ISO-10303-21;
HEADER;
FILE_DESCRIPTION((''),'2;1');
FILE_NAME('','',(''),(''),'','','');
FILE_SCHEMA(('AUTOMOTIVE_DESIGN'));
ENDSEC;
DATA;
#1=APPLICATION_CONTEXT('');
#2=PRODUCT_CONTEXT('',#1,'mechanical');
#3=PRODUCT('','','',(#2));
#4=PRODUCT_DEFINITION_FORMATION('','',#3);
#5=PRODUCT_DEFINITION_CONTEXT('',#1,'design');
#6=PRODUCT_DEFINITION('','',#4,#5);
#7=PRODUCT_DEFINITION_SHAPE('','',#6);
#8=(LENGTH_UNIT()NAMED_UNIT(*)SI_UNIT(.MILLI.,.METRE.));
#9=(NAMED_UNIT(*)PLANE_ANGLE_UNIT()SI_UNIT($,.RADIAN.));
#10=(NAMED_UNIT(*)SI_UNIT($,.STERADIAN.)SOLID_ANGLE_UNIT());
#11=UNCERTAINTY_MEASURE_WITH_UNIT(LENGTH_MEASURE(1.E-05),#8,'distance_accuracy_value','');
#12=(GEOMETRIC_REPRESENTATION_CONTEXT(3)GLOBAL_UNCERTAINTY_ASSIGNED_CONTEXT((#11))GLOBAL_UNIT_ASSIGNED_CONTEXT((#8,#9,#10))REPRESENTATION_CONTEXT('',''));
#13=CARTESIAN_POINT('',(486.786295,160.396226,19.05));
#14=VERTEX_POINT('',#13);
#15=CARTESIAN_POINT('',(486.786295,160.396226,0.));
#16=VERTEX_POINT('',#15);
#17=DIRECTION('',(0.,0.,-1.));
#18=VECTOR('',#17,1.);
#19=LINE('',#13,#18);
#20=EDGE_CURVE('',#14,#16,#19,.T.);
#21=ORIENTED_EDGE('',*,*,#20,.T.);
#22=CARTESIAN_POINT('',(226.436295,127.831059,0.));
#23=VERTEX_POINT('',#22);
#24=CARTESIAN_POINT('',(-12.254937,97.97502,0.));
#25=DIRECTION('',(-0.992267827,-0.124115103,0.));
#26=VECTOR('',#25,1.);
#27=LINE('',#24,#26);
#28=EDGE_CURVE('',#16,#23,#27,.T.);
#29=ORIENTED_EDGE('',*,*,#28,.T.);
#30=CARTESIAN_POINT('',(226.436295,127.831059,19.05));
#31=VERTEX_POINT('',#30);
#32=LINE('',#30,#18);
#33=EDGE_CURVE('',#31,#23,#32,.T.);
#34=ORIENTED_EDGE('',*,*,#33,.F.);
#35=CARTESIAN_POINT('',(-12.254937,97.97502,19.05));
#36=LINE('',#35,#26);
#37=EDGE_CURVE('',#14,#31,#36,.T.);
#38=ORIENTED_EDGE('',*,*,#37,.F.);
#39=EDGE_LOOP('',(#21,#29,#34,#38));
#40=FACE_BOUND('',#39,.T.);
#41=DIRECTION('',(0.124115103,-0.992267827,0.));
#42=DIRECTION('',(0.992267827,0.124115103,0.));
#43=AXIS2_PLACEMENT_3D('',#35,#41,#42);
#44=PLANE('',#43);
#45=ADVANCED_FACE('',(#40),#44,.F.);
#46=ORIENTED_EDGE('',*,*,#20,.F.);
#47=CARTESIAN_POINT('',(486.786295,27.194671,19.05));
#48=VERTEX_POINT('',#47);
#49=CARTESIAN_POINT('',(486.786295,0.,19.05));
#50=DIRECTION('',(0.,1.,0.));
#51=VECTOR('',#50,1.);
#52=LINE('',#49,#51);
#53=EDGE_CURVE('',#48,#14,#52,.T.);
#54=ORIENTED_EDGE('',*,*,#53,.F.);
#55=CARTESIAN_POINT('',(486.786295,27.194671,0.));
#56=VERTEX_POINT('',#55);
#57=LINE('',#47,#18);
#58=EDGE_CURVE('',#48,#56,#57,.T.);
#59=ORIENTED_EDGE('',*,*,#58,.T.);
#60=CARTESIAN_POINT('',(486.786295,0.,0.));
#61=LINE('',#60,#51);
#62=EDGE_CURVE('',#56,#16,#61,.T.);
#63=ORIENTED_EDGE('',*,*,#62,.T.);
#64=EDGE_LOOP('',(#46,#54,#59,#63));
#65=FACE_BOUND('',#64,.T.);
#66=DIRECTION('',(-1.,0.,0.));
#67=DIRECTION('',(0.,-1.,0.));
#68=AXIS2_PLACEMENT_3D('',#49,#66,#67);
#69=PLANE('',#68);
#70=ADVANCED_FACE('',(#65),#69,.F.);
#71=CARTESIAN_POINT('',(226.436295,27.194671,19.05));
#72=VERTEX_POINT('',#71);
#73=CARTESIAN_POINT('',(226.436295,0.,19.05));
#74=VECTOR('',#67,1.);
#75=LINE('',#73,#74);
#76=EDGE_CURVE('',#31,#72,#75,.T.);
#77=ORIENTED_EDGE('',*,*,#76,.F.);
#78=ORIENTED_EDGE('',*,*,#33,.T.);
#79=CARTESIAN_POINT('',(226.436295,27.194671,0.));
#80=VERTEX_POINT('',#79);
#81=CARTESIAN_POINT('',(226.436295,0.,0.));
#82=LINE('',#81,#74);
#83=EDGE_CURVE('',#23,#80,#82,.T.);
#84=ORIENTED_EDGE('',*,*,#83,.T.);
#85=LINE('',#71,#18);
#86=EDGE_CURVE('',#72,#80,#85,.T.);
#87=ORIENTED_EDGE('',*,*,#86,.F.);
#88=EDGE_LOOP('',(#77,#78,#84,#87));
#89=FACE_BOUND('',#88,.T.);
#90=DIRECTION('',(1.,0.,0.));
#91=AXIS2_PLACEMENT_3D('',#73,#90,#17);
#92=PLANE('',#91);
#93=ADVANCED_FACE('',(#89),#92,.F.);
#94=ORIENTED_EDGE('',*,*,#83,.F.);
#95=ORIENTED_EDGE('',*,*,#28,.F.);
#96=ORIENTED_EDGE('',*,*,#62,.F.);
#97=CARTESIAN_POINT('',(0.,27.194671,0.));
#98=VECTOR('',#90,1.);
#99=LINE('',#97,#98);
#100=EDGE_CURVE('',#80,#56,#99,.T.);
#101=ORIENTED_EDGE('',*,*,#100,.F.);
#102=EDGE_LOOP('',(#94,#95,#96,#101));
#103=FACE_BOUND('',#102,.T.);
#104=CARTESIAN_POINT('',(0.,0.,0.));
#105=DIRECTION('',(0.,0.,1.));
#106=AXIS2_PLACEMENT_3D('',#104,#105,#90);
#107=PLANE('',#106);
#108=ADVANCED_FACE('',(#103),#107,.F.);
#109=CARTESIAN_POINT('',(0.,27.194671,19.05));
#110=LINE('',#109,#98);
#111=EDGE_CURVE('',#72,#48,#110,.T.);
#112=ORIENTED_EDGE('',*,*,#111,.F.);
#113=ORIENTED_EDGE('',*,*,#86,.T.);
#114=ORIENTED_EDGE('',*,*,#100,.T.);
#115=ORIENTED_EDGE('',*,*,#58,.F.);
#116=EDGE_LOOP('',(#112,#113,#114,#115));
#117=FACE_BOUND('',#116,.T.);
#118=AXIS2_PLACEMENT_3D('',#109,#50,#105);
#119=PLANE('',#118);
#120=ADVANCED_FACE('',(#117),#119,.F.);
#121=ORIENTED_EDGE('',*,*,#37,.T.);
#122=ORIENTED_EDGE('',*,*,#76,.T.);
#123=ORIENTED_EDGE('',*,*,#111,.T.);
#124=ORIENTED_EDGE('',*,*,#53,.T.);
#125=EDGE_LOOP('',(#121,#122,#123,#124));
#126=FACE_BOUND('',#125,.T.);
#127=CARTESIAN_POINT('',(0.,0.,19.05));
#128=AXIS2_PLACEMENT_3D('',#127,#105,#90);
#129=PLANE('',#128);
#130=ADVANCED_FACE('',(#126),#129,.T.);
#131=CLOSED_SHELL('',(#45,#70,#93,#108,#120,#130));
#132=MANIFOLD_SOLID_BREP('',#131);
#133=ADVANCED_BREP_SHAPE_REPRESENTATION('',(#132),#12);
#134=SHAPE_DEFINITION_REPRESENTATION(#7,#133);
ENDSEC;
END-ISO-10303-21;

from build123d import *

# Parameters (mm, degrees)
BOSS_EXTRUDE3_DEPTH = 19.05


with BuildPart() as part:
    # Sketch5 → Boss-Extrude3 (new body)
    with BuildSketch(Plane.XY):
        Polygon((226.436295427, 127.831059213), (226.436295427, 27.19467147), (486.786295427, 27.19467147), (486.786295427, 160.396225774), align=None)
    extrude(amount=BOSS_EXTRUDE3_DEPTH)


solid = part.part
